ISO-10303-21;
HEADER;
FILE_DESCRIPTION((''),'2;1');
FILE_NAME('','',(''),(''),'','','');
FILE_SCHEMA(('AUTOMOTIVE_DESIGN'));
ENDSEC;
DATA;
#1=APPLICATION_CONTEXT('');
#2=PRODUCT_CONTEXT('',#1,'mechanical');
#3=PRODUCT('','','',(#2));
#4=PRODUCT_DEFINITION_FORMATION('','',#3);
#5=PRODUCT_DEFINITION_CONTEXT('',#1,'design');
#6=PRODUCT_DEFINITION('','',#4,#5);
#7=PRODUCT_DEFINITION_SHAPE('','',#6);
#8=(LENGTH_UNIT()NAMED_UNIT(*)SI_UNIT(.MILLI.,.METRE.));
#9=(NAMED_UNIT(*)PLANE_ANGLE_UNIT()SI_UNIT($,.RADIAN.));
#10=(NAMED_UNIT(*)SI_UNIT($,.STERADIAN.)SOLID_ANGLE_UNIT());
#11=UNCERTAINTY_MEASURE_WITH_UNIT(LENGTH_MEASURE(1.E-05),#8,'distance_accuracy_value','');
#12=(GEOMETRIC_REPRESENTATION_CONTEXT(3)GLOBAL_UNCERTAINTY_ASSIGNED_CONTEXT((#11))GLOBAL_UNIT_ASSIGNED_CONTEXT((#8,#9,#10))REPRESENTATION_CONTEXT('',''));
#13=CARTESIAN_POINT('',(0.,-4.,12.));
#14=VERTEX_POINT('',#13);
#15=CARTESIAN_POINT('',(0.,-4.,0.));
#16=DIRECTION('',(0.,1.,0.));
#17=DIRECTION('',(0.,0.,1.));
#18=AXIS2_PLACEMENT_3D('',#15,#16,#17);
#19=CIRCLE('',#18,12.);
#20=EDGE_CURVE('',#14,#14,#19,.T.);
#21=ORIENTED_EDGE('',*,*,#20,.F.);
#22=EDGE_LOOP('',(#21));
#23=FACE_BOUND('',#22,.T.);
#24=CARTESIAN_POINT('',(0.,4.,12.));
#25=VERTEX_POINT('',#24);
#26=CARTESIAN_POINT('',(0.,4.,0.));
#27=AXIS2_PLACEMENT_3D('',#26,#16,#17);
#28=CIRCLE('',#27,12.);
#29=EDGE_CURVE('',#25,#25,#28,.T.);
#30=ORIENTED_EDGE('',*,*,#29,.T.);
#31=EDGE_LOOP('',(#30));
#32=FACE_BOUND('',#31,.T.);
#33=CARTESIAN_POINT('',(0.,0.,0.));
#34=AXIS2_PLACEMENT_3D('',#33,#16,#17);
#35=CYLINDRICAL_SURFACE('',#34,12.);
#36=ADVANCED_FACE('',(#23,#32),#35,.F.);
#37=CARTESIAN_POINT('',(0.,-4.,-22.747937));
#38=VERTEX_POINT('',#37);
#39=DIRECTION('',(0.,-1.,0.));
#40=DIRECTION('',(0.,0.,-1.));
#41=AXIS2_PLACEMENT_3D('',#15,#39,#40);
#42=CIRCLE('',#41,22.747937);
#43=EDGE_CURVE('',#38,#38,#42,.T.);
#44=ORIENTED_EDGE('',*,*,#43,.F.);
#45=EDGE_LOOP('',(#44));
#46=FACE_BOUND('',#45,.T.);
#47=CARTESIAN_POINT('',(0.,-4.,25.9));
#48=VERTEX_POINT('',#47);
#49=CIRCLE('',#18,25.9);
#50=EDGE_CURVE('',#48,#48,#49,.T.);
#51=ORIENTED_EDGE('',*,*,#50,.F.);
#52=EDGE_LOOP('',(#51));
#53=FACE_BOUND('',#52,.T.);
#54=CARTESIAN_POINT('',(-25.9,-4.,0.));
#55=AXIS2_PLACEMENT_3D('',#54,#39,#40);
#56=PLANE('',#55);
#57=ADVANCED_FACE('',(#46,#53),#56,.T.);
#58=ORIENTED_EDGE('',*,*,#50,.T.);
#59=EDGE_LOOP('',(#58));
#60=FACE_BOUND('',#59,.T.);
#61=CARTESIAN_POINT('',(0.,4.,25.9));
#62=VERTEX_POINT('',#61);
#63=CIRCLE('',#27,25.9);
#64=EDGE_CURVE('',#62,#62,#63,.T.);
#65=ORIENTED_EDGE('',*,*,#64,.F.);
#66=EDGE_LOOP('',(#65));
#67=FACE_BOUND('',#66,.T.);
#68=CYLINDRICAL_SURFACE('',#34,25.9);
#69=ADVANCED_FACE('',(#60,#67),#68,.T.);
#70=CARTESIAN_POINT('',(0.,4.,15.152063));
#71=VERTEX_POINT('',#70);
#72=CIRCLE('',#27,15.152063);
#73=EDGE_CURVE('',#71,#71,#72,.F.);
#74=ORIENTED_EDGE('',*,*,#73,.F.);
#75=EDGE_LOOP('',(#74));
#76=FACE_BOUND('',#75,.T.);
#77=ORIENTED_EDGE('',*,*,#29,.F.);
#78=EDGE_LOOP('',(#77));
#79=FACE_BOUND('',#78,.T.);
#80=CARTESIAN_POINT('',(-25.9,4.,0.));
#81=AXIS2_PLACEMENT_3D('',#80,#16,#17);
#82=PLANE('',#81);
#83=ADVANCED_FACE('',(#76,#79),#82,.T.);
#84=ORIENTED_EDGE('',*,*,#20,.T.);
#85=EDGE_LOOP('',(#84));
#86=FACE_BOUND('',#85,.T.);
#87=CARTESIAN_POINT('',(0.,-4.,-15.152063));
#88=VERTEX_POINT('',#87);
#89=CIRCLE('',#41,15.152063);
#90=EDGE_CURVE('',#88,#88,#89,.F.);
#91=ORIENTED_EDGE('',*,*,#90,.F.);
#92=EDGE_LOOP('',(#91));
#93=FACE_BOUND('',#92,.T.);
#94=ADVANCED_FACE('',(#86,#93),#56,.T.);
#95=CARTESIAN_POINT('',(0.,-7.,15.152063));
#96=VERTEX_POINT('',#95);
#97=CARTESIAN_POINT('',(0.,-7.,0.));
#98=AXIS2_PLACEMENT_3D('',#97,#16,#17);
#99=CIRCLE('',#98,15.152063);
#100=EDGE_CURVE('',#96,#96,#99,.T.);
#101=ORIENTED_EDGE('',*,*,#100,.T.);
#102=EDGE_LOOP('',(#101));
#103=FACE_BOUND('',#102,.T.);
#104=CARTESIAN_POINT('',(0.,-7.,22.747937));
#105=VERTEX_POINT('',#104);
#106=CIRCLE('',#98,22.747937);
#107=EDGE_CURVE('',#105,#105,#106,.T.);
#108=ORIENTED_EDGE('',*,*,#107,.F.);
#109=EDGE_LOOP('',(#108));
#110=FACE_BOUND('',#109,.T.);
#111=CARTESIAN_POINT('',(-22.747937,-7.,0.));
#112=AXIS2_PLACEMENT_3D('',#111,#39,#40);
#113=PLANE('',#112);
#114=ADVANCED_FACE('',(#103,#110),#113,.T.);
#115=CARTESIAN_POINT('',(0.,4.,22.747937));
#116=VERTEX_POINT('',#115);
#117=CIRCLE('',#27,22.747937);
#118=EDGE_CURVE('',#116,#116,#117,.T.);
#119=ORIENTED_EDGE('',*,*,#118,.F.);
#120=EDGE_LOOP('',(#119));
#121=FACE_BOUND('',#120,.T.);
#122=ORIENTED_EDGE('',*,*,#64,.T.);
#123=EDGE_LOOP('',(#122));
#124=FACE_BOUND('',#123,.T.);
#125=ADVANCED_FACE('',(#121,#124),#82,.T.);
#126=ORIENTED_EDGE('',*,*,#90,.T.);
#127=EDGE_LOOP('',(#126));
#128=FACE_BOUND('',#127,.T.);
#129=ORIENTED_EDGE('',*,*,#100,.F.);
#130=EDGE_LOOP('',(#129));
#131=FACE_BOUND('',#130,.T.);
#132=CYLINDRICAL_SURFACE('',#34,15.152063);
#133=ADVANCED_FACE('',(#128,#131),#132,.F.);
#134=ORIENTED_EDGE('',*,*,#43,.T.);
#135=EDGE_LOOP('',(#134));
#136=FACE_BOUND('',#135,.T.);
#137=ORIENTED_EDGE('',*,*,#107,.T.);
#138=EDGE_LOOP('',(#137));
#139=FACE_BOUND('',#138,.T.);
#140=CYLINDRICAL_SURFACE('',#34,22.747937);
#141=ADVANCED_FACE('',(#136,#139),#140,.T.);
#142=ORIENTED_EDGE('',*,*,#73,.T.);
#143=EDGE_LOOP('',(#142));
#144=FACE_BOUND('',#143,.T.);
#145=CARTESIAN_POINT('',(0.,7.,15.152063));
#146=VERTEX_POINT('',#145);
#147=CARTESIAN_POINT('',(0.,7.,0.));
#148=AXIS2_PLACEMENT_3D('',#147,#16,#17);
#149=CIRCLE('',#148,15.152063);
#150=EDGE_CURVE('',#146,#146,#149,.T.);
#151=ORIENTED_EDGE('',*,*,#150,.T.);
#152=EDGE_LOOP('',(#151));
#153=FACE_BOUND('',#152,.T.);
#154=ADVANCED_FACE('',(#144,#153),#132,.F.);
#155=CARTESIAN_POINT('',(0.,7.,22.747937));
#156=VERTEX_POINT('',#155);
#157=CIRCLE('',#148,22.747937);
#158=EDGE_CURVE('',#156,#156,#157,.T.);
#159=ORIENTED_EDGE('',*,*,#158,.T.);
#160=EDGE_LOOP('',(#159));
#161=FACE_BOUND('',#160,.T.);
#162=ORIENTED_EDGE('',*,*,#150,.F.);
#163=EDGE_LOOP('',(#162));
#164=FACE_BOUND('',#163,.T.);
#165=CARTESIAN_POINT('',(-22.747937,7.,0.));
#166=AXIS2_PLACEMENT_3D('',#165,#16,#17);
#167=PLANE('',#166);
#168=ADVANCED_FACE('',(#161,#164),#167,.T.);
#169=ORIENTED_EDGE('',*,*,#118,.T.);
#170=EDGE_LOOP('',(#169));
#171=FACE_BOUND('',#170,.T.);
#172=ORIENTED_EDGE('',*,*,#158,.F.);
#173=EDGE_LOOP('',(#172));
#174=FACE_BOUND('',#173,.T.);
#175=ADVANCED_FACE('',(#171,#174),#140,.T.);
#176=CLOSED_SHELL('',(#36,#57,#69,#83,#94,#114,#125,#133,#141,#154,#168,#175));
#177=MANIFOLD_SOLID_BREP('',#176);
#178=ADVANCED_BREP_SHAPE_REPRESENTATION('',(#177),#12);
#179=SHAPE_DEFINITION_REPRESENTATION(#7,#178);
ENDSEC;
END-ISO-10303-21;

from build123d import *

# Parameters (mm, degrees)
SKETCH1_W = 13.9
SKETCH1_H = 8
SKETCH2_W = 7.595873634
SKETCH2_H = 14


with BuildPart() as part:
    # Sketch1 → Revolve1 (revolve)
    with BuildSketch(Plane.XY):
        with Locations((-18.95, 0)):
            Rectangle(SKETCH1_W, SKETCH1_H)
    revolve(axis=Axis((0, 0, 0), (0, -1, 0)))

    # Sketch2 → Revolve2 (revolve)
    with BuildSketch(Plane.XY):
        with Locations((-18.95, 0)):
            Rectangle(SKETCH2_W, SKETCH2_H)
    revolve(axis=Axis((0, 0, 0), (0, -1, 0)))


solid = part.part
